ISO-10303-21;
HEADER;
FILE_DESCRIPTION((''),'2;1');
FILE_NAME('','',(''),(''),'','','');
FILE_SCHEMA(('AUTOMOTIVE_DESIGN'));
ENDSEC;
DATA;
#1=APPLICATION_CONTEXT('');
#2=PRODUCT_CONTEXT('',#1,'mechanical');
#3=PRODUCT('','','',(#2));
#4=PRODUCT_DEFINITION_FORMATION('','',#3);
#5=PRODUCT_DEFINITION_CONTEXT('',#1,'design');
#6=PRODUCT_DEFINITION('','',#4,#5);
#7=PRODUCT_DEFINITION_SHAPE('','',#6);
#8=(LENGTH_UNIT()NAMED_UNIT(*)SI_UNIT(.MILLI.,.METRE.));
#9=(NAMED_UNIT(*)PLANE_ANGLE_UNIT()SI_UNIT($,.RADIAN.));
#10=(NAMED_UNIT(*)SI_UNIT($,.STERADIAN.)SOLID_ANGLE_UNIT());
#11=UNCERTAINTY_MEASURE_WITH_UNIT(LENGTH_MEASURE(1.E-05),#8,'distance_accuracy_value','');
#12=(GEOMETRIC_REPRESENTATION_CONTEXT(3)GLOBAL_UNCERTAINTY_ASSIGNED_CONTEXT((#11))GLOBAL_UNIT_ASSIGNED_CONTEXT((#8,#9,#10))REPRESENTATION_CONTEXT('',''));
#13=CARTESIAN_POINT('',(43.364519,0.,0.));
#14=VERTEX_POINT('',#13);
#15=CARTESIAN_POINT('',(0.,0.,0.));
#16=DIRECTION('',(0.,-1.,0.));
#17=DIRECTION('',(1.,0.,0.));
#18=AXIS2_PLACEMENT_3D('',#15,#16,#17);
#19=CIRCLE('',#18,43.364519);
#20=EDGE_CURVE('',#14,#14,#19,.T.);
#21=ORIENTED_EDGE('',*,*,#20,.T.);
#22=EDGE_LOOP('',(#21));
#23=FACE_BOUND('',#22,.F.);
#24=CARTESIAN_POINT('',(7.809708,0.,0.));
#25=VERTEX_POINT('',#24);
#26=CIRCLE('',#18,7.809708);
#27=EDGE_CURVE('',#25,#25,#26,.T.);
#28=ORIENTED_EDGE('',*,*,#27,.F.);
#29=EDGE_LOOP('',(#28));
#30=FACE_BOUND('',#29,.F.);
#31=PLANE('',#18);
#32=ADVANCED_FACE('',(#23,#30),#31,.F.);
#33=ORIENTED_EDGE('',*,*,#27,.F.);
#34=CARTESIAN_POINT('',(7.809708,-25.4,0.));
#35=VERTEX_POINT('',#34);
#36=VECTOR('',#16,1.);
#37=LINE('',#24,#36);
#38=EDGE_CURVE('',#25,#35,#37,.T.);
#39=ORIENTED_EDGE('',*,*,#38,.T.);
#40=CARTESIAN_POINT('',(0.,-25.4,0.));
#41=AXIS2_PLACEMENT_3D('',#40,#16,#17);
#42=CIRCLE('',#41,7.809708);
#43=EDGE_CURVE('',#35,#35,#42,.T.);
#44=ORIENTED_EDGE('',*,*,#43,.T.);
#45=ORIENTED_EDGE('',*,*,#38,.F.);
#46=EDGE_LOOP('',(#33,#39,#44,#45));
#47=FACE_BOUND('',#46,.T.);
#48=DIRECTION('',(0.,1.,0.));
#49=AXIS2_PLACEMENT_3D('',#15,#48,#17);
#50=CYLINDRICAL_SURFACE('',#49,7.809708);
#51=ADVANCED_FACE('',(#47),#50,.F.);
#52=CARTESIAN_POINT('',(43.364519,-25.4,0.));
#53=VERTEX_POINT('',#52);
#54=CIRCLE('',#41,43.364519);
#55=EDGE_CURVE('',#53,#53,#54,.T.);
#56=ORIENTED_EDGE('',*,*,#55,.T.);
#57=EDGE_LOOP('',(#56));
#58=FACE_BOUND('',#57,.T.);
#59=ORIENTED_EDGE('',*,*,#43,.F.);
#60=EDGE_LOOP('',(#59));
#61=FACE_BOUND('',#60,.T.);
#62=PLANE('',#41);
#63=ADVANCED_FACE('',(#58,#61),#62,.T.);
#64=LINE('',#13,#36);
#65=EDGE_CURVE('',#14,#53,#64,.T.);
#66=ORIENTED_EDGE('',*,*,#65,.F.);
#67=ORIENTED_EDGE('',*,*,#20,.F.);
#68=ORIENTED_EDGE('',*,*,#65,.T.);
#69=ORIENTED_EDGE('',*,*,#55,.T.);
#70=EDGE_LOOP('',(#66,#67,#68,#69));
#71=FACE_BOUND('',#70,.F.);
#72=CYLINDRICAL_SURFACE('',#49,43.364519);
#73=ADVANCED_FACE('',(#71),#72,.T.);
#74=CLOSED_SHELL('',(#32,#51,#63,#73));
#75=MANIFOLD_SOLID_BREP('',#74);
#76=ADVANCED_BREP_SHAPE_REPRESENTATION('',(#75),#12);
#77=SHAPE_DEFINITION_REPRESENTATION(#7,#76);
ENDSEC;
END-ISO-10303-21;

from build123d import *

# Parameters (mm, degrees)
F0_R     = 43.364519
F0_R_2   = 29.495708
F0_R_3   = 16.782399
F0_R_4   = 7.809708
F1_DEPTH = 25.4


with BuildPart() as f1:
    # F0 (on Front) → F1 (new body)
    with BuildSketch(Plane.XZ):
        Circle(F0_R)
        Circle(F0_R_2, mode=Mode.SUBTRACT)
        Circle(F0_R_2)
        Circle(F0_R_3, mode=Mode.SUBTRACT)
        Circle(F0_R_3)
        Circle(F0_R_4, mode=Mode.SUBTRACT)
    extrude(amount=F1_DEPTH)


solid = f1.part
